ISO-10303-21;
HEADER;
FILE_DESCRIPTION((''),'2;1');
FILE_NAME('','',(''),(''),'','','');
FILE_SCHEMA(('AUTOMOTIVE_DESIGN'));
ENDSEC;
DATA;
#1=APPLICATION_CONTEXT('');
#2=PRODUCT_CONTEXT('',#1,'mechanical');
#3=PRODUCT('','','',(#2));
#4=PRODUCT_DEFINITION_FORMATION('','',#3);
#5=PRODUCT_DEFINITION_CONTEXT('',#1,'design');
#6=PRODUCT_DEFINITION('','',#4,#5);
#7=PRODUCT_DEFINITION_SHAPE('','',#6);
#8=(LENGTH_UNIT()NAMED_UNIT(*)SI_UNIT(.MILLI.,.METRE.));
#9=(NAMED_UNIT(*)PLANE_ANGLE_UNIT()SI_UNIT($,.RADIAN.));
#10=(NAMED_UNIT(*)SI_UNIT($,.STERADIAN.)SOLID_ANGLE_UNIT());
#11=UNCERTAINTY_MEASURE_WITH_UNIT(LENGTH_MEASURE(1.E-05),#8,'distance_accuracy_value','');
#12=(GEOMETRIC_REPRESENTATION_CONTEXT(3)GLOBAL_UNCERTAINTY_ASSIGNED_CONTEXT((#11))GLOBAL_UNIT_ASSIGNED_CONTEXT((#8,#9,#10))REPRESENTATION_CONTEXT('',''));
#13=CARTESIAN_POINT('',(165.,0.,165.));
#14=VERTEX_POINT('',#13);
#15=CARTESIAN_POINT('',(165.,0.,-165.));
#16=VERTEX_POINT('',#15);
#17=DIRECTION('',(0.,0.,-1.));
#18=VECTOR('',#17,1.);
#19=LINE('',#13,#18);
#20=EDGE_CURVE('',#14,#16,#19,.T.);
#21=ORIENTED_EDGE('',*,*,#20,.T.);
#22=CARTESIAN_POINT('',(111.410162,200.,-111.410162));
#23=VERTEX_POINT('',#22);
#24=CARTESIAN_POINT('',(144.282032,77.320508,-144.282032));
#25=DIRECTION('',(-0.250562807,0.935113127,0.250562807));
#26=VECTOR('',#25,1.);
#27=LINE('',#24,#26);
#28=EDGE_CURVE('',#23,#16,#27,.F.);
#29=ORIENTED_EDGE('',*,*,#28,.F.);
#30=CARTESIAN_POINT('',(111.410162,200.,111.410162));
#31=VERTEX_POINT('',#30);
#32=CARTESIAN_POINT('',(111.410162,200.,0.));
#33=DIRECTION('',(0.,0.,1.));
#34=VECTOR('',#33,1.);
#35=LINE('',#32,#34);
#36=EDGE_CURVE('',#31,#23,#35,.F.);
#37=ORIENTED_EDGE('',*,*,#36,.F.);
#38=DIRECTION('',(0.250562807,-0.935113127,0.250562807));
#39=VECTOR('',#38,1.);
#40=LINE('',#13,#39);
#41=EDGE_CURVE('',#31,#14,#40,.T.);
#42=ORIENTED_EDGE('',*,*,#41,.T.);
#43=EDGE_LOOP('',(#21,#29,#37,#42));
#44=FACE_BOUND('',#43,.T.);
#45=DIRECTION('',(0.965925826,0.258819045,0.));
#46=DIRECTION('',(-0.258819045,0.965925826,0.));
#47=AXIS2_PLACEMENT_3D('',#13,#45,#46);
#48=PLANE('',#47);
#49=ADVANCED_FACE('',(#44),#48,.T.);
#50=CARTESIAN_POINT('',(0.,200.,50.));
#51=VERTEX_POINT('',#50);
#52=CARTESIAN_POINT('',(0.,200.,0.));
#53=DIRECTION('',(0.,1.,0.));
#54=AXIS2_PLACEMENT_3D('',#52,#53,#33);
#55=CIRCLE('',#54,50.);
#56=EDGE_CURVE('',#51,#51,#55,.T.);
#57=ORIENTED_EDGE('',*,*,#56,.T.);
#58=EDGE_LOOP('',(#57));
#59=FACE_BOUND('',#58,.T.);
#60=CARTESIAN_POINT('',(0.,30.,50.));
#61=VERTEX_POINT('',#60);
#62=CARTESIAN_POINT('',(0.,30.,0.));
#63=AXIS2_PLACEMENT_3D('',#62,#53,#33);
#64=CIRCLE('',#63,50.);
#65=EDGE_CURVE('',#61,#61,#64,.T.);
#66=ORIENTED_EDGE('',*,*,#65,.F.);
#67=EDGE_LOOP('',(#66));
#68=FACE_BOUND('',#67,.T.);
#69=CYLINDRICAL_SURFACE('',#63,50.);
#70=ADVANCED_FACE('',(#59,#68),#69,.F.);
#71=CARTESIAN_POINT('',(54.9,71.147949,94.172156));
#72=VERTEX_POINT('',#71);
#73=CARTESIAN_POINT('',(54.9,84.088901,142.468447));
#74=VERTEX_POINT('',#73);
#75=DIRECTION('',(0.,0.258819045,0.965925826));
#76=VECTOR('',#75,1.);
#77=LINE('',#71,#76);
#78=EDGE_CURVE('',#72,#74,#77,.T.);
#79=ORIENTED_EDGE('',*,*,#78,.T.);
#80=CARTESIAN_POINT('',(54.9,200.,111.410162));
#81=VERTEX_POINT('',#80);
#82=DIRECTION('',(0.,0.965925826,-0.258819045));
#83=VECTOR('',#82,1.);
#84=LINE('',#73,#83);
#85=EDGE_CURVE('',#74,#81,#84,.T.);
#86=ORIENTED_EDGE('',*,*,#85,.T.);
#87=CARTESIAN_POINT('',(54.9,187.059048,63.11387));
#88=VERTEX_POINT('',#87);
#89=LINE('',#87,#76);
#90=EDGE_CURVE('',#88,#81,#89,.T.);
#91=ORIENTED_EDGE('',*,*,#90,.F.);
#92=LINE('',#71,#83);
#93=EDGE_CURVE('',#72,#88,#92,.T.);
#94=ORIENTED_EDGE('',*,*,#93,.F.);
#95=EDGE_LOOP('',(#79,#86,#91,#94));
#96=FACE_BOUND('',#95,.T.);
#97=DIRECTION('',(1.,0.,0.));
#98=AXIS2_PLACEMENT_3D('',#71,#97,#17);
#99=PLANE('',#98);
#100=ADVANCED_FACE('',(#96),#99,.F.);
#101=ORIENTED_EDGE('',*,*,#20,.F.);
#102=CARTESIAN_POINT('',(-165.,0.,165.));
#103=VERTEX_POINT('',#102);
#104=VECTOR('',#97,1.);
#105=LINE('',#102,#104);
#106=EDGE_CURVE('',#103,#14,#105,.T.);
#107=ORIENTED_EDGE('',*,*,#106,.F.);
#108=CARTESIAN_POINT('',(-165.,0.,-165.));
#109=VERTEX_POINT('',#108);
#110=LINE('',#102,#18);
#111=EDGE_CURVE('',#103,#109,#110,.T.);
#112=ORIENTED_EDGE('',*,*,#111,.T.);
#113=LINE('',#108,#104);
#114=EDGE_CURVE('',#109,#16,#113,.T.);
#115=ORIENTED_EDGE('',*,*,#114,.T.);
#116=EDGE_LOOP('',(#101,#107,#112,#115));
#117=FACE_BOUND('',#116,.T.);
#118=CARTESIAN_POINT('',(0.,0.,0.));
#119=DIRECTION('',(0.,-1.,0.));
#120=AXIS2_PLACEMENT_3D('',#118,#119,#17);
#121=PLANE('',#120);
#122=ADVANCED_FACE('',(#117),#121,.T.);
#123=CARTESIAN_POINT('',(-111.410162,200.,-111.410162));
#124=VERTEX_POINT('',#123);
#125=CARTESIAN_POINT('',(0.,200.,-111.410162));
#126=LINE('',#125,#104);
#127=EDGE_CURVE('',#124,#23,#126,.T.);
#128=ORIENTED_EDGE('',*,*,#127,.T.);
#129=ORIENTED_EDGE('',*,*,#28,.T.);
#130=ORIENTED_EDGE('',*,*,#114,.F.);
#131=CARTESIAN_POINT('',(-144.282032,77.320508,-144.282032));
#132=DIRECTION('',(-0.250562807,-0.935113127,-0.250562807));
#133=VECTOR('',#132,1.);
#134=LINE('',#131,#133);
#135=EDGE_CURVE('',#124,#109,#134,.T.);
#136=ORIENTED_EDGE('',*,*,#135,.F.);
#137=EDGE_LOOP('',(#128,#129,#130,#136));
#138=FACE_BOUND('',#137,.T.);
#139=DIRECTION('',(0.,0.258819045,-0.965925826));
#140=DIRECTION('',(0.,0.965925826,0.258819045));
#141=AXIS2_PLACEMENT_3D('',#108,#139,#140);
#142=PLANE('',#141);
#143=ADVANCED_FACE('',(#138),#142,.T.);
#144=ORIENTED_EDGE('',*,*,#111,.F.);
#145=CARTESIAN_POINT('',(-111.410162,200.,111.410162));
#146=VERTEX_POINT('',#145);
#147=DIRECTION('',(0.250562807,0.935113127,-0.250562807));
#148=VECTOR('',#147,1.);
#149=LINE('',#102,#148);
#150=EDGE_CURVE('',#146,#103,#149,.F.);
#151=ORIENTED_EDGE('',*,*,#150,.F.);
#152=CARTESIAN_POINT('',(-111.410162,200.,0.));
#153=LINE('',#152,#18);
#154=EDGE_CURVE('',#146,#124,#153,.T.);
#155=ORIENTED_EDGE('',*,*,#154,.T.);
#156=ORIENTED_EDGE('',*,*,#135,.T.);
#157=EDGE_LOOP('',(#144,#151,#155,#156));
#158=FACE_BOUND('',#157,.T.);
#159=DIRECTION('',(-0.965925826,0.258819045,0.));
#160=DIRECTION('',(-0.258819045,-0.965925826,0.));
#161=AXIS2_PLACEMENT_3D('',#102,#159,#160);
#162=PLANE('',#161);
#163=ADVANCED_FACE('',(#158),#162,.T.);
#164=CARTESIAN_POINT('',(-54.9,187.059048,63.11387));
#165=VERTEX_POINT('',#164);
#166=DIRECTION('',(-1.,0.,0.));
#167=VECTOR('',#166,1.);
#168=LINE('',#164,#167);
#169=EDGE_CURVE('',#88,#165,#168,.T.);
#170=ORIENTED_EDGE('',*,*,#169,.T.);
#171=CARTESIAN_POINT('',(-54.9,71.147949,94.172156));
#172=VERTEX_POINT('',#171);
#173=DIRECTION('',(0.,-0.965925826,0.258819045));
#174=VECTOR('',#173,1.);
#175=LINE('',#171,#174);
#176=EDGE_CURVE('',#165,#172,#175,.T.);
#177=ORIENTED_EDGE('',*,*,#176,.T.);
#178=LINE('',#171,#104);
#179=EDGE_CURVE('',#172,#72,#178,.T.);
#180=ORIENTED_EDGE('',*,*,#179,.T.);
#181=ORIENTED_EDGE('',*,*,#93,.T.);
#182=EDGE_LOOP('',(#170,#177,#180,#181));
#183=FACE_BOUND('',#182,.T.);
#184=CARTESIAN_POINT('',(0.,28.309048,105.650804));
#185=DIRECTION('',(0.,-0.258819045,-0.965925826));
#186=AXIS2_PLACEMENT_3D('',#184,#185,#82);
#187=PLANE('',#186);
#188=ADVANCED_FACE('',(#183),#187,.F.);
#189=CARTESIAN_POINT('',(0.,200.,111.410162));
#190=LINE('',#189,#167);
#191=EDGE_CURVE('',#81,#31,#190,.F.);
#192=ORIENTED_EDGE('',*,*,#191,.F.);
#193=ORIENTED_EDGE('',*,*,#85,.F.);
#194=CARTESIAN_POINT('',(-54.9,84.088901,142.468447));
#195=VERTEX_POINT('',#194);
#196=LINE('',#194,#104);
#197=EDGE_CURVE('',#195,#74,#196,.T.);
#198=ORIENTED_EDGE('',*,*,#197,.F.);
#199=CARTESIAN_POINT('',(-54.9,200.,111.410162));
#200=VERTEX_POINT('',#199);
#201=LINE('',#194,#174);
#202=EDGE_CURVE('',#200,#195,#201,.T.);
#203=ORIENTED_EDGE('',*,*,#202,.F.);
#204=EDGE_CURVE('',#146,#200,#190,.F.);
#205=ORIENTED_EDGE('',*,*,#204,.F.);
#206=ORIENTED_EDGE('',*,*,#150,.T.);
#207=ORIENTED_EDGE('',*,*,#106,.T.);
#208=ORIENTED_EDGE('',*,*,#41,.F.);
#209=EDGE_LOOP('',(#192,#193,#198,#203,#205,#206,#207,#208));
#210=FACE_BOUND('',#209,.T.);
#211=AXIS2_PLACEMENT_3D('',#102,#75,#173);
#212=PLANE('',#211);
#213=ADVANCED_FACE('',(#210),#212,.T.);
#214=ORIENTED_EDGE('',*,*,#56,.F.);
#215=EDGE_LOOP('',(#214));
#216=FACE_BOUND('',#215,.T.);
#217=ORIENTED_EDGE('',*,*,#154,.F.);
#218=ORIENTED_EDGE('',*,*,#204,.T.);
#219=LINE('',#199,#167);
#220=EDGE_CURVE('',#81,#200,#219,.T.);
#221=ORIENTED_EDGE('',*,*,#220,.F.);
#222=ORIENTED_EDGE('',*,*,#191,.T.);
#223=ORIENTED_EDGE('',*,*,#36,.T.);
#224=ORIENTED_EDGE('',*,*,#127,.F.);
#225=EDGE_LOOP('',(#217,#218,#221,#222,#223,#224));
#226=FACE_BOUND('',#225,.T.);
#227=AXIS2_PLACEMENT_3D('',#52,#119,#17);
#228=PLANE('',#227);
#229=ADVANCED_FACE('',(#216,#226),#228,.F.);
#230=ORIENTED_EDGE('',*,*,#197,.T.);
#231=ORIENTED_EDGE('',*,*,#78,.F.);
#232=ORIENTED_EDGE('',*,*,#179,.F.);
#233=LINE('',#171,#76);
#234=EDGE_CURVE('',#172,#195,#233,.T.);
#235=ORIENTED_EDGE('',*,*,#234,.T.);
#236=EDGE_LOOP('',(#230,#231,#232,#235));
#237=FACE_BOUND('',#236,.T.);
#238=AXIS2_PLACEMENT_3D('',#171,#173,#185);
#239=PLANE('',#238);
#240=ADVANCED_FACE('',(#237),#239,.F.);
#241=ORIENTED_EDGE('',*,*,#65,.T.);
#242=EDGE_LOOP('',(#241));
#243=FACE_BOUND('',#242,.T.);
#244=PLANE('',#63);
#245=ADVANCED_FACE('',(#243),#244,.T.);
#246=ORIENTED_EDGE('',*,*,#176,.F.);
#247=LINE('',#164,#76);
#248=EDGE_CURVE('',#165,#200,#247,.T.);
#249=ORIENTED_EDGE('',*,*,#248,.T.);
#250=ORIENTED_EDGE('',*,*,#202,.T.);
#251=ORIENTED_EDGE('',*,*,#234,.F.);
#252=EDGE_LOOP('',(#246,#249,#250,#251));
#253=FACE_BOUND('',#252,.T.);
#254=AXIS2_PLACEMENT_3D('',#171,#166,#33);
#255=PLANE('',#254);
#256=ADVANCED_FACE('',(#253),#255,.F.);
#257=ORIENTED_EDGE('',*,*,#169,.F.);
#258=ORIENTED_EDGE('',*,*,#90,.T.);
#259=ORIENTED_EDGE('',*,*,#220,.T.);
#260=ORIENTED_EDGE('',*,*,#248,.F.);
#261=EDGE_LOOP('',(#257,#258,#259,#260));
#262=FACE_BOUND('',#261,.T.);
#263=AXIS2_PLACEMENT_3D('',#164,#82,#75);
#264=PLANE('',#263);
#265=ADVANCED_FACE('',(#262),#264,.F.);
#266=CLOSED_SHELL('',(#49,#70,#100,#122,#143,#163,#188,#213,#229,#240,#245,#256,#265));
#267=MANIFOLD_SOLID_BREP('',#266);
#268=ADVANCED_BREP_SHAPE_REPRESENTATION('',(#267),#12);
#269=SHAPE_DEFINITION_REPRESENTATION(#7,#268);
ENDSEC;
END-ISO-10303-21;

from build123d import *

# Parameters (mm, degrees)
SKETCH1_W           = 330
SKETCH1_H           = 330
BOSS_EXTRUDE1_DEPTH = 200
BOSS_EXTRUDE1_TAPER = 15
SKETCH2_R           = 50
CUT_EXTRUDE1_DEPTH  = 170
SKETCH7_W           = 109.8
SKETCH7_H           = 120
CUT_EXTRUDE2_DEPTH  = 50


with BuildPart() as part:
    # Sketch1 → Boss-Extrude1 (new body)
    with BuildSketch(Plane(origin=(0, 0, 0), x_dir=(1, 0, 0), z_dir=(0, 1, 0))):
        Rectangle(SKETCH1_W, SKETCH1_H)
    extrude(amount=BOSS_EXTRUDE1_DEPTH, taper=BOSS_EXTRUDE1_TAPER)

    # Sketch2 → Cut-Extrude1 (cut)
    with BuildSketch(Plane(origin=(0, 200, 0), x_dir=(1, 0, 0), z_dir=(0, 1, 0))):
        with Locations(Location((0, 0, 0), (0, 0, 270))):
            Circle(SKETCH2_R)
    extrude(amount=-CUT_EXTRUDE1_DEPTH, mode=Mode.SUBTRACT)

    # Sketch7 → Cut-Extrude2 (cut)
    with BuildSketch(Plane(origin=(0, 41.25, 153.947095812), x_dir=(1, 0, 0), z_dir=(0, 0.2588190451025208, 0.9659258262890682))):
        with Locations((0, 104.35009364)):
            Rectangle(SKETCH7_W, SKETCH7_H)
    extrude(amount=-CUT_EXTRUDE2_DEPTH, mode=Mode.SUBTRACT)


solid = part.part
